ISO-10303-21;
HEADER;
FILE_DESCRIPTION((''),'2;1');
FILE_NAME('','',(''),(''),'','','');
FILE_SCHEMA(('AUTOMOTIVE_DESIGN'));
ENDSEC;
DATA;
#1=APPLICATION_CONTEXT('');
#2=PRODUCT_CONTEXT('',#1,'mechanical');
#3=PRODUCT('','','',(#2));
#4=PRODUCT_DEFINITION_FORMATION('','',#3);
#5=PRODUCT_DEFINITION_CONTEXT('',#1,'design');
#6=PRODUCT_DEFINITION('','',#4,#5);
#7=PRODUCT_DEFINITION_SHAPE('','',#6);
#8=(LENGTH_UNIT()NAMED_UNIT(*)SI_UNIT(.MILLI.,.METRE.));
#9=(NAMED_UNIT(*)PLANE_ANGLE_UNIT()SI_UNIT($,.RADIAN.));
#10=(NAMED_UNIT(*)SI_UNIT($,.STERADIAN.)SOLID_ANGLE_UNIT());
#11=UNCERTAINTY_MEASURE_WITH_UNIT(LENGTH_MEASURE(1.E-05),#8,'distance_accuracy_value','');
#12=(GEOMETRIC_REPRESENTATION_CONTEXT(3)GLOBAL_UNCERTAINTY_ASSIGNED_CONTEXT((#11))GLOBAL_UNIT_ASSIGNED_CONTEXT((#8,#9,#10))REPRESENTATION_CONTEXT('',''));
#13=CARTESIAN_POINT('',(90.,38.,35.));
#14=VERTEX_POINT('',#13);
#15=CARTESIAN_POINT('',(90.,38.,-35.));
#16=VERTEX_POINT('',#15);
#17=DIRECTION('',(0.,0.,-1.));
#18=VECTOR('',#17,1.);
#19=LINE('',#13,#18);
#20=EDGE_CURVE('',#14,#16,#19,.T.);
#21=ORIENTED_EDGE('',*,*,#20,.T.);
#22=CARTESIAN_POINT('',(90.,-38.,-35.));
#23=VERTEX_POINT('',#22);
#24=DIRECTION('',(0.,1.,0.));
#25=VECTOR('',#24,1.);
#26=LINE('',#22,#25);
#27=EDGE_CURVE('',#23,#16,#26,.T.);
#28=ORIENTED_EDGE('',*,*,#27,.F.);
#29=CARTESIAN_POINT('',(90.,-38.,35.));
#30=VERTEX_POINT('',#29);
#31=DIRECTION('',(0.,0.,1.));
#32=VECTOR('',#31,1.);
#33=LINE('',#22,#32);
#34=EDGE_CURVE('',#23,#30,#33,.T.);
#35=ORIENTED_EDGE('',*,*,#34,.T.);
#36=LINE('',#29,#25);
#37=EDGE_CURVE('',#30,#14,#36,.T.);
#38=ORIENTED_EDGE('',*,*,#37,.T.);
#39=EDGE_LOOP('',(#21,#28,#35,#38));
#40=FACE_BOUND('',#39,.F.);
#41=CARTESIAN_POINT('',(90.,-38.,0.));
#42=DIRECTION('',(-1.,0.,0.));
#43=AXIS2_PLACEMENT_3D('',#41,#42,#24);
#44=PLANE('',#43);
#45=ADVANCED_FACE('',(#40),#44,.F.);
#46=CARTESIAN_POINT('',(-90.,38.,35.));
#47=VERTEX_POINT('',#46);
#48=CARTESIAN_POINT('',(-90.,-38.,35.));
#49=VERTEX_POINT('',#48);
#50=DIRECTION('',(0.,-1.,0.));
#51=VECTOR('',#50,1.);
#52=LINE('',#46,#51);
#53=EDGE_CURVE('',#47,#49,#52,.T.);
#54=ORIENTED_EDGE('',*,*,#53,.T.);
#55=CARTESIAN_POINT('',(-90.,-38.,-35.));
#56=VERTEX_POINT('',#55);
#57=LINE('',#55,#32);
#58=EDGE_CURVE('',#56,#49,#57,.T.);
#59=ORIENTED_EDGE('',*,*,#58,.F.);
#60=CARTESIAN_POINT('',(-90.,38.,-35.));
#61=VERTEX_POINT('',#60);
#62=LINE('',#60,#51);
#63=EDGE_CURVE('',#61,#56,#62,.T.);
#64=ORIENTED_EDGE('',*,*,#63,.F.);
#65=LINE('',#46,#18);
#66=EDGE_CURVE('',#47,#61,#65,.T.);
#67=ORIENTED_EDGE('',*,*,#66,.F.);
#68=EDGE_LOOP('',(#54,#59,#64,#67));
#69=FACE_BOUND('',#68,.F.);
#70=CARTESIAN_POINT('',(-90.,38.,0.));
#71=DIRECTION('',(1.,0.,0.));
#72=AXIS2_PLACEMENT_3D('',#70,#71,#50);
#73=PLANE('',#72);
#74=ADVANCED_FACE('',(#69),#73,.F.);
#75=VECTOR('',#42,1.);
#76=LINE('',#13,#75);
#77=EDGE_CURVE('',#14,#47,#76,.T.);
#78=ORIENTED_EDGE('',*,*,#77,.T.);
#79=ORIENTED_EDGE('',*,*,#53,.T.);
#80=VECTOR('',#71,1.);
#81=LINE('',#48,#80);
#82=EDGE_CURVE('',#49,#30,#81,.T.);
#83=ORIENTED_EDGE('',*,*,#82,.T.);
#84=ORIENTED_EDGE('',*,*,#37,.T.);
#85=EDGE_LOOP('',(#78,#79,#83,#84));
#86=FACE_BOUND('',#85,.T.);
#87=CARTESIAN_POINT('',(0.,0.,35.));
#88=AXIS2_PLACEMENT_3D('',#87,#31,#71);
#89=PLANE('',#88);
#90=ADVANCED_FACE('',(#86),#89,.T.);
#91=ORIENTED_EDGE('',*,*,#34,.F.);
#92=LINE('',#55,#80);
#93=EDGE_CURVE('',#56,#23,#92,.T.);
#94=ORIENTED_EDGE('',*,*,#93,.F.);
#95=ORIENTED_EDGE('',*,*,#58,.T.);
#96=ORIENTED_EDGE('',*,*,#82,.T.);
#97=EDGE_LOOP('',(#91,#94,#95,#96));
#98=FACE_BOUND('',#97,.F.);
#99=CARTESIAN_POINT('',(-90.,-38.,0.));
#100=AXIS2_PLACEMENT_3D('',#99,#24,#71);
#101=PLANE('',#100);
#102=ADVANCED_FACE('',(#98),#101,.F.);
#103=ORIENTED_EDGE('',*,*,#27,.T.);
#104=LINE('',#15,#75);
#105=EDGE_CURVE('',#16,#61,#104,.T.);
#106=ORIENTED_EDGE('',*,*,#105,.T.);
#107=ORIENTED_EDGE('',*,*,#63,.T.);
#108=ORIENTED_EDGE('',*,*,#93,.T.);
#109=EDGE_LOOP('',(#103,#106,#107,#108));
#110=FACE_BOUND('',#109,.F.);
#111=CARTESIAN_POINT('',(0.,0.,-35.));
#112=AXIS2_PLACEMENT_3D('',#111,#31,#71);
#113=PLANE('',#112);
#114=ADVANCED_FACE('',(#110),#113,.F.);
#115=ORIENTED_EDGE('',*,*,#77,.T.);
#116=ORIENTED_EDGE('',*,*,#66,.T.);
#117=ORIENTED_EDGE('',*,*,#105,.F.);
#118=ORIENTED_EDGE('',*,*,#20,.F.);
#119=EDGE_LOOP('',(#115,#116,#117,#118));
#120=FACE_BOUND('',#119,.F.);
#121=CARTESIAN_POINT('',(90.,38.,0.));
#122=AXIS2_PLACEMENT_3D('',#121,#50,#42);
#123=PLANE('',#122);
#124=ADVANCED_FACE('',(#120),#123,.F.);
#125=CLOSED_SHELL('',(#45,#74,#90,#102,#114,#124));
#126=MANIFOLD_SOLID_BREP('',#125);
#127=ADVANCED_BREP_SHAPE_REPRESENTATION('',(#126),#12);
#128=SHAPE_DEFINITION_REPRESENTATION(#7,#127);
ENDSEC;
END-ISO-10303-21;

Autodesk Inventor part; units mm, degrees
ref_plane "YZ Plane" through (0, 0, 0) normal (1, 0, 0) x (0, 1, 0)
ref_plane "XZ Plane" through (0, 0, 0) normal (0, 1, 0) x (-1, 0, 0)
ref_plane "XY Plane" through (0, 0, 0) normal (0, 0, 1) x (1, 0, 0)
sketch "Sketch1" plane through (0, 0, 0) normal (0, 0, 1) x (1, 0, 0)
  line L0 (-90, -38) -> (90, -38)
  line L1 (90, -38) -> (90, 38)
  line L2 (90, 38) -> (-90, 38)
  line L3 (-90, 38) -> (-90, -38)
  line L4 (-90, -38) -> (90, 38) construction
  line L5 (90, -38) -> (-90, 38) construction
  point P0 (0, 0)
  dimension "d0" = 180
  dimension "d1" = 76
extrude "Extrusion1" add sketch "Sketch1" along normal mid plane 70
fillet "Fillet1" [suppressed]
properties part number "Multistar-6S-16Ah"
